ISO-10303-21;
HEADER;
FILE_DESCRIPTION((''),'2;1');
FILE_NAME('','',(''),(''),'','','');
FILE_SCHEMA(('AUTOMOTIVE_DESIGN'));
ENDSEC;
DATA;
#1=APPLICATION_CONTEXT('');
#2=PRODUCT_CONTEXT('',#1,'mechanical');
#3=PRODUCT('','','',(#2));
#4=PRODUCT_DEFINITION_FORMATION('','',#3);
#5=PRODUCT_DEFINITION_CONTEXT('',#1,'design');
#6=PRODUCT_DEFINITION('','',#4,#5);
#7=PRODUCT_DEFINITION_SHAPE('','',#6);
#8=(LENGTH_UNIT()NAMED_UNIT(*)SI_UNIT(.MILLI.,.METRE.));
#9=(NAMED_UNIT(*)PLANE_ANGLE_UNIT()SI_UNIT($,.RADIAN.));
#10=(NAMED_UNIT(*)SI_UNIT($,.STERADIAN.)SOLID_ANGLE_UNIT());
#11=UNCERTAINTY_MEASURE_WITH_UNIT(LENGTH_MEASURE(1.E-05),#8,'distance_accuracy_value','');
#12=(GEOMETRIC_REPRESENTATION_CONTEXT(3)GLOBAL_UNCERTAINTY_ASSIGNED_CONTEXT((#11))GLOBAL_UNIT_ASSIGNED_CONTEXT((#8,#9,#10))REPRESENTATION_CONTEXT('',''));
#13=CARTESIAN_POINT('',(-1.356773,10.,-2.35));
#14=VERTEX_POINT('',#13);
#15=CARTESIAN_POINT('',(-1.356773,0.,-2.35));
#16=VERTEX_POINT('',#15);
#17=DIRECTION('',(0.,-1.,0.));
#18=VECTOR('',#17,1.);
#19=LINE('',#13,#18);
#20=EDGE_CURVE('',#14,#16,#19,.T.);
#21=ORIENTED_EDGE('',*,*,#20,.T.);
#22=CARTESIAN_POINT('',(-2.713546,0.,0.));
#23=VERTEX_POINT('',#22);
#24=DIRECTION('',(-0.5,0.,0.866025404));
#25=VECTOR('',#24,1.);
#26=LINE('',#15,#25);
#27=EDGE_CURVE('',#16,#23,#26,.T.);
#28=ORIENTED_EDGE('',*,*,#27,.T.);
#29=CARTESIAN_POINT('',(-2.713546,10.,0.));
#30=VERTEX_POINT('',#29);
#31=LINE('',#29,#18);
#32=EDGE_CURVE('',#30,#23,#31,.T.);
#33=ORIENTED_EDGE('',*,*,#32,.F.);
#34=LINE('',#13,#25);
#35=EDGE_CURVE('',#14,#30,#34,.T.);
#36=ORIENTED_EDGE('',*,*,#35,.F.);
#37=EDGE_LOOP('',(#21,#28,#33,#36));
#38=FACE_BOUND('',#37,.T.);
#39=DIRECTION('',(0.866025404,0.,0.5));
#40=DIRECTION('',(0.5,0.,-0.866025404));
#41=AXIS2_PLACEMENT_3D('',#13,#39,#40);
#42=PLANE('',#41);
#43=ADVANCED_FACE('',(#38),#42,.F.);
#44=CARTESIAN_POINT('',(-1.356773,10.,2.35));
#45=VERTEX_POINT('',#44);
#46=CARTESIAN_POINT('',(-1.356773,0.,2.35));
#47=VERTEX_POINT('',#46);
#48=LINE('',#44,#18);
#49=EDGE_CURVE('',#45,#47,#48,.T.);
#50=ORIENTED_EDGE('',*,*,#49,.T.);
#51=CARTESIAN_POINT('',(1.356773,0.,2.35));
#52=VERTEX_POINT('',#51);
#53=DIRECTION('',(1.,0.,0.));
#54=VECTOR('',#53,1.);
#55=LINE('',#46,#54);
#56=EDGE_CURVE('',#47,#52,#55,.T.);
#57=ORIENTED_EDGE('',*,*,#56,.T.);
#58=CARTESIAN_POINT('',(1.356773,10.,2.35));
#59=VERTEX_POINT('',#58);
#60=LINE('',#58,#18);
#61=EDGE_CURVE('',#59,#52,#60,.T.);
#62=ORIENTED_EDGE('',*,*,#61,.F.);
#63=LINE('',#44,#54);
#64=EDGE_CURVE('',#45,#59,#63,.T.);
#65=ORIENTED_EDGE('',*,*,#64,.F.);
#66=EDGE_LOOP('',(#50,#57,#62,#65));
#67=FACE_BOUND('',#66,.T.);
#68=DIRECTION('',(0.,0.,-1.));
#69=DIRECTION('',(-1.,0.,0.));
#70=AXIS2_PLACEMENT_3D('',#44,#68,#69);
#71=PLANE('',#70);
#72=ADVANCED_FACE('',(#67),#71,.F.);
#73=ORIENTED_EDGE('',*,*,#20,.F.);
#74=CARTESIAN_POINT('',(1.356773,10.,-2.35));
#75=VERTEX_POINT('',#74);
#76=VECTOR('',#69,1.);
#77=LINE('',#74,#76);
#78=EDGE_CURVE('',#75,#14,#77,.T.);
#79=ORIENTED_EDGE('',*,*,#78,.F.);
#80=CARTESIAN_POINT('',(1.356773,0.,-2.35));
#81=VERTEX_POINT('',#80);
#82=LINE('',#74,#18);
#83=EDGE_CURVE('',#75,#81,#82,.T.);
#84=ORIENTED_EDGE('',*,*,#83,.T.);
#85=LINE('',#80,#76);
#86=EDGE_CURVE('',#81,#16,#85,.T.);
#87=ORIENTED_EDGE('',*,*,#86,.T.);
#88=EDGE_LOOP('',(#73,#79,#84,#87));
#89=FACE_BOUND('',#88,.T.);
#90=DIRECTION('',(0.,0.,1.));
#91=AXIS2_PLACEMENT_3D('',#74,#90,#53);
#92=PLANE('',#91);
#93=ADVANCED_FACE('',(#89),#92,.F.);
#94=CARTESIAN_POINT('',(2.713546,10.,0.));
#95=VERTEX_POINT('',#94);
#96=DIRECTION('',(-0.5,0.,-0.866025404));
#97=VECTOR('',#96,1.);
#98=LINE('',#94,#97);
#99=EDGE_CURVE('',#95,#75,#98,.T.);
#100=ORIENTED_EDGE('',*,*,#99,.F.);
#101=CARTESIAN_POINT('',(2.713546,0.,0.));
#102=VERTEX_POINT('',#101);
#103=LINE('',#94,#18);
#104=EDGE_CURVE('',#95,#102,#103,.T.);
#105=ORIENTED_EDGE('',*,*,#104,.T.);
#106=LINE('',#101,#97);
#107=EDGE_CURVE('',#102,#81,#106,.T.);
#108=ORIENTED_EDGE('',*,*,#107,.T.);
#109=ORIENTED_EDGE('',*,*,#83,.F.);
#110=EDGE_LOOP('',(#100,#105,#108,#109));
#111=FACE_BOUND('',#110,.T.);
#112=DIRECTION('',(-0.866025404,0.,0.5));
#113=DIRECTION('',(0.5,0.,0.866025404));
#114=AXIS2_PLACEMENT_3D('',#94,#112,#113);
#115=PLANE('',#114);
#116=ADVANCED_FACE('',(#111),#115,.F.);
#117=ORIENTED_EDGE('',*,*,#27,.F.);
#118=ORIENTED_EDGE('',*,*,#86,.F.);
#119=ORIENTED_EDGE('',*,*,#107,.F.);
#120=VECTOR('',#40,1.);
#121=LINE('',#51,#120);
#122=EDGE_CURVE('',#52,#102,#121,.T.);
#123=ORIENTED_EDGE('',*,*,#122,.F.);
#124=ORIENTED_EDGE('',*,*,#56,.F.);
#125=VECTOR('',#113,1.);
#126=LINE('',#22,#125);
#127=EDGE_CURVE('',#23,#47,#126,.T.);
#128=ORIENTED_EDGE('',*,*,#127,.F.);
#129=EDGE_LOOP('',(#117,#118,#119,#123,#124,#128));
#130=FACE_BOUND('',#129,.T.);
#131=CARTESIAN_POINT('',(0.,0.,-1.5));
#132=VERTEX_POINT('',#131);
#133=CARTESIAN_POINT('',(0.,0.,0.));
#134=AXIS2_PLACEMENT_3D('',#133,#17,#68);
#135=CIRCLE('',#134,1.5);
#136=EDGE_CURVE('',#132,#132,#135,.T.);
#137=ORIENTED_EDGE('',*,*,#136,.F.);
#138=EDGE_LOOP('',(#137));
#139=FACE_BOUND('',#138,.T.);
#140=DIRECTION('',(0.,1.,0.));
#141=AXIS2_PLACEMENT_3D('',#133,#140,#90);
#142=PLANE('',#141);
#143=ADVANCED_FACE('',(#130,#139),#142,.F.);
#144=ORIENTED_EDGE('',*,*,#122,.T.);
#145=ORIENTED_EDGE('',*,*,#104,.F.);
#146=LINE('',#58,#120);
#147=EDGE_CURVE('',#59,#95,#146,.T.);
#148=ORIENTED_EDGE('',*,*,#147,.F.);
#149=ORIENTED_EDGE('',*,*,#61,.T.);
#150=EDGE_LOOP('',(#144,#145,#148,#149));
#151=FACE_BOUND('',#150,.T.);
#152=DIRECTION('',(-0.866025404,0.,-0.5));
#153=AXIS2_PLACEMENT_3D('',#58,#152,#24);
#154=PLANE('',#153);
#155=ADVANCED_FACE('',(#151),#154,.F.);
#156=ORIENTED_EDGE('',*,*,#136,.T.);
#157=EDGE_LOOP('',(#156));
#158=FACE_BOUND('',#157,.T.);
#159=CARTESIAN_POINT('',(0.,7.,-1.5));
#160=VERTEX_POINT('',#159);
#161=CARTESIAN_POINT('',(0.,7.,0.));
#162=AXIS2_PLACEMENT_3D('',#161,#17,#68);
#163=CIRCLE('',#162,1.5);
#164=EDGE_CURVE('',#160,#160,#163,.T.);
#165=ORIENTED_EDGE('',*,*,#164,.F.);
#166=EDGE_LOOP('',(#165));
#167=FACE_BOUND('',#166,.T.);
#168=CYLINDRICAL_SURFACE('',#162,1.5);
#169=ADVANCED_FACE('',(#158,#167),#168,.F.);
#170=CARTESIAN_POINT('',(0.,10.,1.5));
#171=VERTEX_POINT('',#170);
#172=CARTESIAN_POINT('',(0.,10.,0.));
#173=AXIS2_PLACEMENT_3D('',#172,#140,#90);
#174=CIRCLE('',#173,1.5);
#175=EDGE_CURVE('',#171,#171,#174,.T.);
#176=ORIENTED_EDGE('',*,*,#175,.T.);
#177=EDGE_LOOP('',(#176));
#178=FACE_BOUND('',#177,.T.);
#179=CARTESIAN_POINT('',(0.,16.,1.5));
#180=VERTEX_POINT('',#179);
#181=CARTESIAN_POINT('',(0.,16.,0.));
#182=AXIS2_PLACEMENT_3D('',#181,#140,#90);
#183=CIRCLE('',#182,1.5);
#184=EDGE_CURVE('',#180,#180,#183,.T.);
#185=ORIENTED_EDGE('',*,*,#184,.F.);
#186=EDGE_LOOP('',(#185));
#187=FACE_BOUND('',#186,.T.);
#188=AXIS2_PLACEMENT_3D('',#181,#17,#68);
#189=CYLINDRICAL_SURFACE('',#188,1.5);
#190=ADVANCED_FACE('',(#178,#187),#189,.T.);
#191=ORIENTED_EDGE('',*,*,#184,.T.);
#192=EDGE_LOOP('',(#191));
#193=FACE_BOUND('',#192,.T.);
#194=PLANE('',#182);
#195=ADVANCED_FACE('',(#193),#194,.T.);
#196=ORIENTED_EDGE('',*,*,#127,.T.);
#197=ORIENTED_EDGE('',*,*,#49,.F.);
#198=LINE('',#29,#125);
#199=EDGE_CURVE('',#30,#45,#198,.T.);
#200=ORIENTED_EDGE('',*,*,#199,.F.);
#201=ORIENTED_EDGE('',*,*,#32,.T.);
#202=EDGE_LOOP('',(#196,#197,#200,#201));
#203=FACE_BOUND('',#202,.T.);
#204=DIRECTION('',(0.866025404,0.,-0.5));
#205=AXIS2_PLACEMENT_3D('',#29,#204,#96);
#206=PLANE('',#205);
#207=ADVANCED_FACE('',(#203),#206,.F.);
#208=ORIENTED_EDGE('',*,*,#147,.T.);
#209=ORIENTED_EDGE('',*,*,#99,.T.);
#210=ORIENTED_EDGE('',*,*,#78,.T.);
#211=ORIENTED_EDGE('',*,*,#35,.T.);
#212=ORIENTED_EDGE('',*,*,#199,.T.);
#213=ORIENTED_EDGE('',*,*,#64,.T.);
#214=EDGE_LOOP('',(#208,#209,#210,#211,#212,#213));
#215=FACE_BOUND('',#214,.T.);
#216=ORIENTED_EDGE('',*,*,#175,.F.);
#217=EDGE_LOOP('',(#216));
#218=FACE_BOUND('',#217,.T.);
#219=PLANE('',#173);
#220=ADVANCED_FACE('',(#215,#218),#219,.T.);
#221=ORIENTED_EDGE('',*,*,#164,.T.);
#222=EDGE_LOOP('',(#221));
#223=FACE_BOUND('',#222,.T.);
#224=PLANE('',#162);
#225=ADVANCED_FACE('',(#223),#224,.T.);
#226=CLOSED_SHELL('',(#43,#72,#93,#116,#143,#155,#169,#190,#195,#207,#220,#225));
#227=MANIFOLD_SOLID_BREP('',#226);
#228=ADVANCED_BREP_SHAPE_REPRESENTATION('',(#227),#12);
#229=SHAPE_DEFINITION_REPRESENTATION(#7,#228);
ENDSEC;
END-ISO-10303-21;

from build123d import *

# Parameters (mm, degrees)
EXTRUDE_1_DEPTH     = 10
SKETCH_2_R          = 1.5
EXTRUDE_2_DEPTH     = 6
SKETCH_3_R          = 1.5
CUT_EXTRUDE_1_DEPTH = 7


with BuildPart() as part:
    # 草图1 → 凸台-拉伸1 (new body)
    with BuildSketch(Plane(origin=(0, 0, 0), x_dir=(1, 0, 0), z_dir=(0, 1, 0))):
        Polygon((1.356773133, 2.35), (-1.356773133, 2.35), (-2.713546265, 0), (-1.356773133, -2.35), (1.356773133, -2.35), (2.713546265, 0), align=None)
    extrude(amount=EXTRUDE_1_DEPTH)

    # 草图2 → 凸台-拉伸2 (add)
    with BuildSketch(Plane(origin=(0, 10, 0), x_dir=(1, 0, 0), z_dir=(0, 1, 0))):
        Circle(SKETCH_2_R)
    extrude(amount=EXTRUDE_2_DEPTH)

    # 草图3 → 切除-拉伸1 (cut)
    with BuildSketch(Plane.XZ):
        Circle(SKETCH_3_R)
    extrude(amount=-CUT_EXTRUDE_1_DEPTH, mode=Mode.SUBTRACT)


solid = part.part
